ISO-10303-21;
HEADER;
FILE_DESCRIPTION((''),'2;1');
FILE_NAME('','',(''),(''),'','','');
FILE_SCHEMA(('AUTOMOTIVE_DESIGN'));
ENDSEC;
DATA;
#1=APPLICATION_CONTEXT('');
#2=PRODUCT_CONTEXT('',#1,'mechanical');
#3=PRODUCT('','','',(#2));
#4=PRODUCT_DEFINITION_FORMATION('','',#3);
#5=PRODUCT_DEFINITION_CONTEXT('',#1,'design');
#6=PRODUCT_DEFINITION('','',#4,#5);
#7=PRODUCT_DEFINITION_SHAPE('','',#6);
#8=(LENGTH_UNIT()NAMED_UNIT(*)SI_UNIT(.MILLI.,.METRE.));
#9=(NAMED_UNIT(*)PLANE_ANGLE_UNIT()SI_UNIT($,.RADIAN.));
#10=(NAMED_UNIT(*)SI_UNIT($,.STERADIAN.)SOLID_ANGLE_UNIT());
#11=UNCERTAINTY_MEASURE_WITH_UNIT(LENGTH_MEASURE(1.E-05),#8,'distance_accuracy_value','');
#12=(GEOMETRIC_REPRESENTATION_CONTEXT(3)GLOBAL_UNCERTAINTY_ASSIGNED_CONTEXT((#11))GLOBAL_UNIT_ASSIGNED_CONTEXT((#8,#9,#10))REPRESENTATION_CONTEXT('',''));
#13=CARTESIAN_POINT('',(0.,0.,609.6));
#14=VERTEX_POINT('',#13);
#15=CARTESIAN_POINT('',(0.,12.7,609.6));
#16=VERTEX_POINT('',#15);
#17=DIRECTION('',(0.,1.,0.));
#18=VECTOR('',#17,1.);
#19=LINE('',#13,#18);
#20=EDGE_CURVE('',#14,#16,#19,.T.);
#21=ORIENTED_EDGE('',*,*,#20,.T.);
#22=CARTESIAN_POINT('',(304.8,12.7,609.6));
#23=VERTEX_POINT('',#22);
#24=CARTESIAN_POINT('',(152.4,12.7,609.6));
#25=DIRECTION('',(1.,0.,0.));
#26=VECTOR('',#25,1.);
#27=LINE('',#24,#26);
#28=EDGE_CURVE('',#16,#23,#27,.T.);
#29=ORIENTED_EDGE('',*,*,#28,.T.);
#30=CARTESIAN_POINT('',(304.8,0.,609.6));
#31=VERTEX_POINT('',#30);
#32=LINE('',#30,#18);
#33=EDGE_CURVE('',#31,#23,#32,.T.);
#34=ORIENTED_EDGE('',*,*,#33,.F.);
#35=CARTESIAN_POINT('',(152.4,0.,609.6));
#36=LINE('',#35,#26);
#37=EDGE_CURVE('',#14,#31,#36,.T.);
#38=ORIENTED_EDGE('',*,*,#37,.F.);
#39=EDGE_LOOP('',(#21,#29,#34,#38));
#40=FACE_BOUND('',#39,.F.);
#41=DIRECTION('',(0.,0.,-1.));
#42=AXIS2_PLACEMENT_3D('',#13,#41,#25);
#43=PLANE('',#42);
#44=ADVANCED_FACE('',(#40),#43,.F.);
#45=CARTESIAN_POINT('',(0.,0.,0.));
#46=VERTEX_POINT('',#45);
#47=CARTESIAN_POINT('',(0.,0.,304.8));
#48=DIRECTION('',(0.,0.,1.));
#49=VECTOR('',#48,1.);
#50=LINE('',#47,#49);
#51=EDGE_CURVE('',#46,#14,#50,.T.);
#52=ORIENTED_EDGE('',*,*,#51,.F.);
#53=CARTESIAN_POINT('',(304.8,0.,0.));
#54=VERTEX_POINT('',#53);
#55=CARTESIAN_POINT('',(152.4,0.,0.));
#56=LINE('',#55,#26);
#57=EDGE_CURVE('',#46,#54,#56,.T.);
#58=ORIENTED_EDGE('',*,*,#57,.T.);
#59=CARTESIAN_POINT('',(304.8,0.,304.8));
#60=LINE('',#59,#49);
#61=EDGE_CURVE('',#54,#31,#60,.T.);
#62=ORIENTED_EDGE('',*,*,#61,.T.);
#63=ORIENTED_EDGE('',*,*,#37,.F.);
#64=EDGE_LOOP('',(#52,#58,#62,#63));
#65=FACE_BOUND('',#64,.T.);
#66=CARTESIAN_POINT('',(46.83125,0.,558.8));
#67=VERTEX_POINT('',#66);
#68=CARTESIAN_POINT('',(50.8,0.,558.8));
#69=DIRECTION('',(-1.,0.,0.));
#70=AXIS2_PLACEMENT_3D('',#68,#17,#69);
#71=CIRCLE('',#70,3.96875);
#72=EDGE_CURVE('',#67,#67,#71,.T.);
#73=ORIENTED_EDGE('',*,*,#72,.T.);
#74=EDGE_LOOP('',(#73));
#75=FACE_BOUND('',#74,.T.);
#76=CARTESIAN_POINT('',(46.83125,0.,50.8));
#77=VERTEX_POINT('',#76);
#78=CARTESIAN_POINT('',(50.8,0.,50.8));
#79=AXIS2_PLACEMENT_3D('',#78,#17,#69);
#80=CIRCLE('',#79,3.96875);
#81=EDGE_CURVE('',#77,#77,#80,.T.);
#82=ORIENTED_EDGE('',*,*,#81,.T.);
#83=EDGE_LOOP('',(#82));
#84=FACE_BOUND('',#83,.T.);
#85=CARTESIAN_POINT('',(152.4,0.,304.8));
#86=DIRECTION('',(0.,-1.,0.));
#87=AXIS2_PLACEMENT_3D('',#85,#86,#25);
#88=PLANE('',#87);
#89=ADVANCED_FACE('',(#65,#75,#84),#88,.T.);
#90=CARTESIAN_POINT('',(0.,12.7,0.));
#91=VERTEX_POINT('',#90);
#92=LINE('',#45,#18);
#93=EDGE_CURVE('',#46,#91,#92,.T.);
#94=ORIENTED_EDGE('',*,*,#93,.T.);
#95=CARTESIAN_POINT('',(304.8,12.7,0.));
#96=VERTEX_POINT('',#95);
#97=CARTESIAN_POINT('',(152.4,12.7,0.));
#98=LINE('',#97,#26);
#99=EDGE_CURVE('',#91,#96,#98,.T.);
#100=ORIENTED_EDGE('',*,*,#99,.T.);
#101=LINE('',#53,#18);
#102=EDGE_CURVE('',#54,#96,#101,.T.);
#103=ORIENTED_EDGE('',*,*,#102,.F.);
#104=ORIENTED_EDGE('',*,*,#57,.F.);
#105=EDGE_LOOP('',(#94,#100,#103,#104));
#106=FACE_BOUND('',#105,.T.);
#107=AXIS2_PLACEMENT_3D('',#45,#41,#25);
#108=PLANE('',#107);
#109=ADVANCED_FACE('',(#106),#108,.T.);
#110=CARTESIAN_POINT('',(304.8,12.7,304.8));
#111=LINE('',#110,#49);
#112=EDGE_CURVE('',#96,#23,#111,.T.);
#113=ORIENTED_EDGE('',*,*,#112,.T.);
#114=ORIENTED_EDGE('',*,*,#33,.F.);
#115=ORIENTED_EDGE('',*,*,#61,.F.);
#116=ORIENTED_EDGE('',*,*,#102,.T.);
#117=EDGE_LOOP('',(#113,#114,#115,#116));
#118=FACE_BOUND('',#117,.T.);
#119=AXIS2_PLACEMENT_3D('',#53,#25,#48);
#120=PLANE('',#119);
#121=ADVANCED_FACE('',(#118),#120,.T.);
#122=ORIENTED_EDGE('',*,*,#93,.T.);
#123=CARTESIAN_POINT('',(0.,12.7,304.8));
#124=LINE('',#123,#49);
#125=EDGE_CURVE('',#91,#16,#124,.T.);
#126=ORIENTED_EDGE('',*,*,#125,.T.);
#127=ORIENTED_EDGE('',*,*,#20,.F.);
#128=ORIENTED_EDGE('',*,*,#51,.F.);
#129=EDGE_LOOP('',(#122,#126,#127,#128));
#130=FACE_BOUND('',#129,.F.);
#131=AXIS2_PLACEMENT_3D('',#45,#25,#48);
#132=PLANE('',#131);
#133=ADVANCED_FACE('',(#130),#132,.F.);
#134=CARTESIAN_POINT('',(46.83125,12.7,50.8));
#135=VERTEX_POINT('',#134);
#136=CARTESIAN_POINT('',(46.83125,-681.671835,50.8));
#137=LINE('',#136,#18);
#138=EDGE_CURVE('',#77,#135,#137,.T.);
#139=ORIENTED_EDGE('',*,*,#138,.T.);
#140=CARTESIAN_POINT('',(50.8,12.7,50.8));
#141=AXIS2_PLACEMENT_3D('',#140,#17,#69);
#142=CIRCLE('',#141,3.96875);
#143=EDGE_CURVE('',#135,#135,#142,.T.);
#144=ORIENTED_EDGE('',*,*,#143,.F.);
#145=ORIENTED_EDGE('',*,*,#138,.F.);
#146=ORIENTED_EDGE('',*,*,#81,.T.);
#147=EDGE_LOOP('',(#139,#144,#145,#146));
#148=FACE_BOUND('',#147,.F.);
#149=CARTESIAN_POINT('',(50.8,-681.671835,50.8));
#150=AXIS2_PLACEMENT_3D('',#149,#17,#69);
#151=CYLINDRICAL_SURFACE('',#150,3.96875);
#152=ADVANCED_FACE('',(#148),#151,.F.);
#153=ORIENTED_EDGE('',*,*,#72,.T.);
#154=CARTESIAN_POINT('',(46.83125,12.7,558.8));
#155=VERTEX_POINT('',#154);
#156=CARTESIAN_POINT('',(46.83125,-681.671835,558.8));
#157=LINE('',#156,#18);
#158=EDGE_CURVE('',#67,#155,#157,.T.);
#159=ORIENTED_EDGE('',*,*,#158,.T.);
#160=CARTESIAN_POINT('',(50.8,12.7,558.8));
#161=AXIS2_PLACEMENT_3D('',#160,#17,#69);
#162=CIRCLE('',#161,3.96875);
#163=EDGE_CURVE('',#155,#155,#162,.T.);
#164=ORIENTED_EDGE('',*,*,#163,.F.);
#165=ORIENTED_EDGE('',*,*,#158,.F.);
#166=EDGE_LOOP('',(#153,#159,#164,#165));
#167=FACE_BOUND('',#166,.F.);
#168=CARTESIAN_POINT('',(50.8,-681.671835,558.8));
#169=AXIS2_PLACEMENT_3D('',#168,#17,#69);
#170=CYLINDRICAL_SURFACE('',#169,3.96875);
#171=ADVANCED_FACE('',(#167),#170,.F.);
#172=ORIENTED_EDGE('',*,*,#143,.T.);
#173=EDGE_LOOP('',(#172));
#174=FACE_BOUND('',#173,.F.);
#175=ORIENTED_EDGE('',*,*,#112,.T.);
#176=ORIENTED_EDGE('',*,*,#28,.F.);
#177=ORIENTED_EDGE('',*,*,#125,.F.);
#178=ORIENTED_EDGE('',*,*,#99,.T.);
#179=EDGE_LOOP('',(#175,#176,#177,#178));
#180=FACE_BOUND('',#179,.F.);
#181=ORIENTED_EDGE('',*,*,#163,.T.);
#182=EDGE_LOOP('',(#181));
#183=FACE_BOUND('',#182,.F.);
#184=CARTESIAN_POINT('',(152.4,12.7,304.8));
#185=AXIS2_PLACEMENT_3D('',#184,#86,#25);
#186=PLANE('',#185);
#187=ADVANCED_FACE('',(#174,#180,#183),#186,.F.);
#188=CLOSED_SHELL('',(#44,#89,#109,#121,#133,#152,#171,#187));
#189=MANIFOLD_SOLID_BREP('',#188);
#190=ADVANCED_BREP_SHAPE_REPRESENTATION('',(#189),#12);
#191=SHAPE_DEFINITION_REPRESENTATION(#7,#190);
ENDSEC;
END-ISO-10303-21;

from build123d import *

# Parameters (mm, degrees)
F0_W     = 304.8
F0_H     = 609.6
F1_DEPTH = 12.7
F3_D     = 7.9375


with BuildPart() as f1:
    # F0 (on Front) → F1 (new body)
    with BuildSketch(Plane.XZ):
        with Locations((152.4, 304.8)):
            Rectangle(F0_W, F0_H)
    extrude(amount=-F1_DEPTH)

    # F3 (through all)
    with Locations(Plane.XZ):
        with Locations((50.8, 50.8), (50.8, 558.8)):
            Hole(F3_D / 2)


solid = f1.part
